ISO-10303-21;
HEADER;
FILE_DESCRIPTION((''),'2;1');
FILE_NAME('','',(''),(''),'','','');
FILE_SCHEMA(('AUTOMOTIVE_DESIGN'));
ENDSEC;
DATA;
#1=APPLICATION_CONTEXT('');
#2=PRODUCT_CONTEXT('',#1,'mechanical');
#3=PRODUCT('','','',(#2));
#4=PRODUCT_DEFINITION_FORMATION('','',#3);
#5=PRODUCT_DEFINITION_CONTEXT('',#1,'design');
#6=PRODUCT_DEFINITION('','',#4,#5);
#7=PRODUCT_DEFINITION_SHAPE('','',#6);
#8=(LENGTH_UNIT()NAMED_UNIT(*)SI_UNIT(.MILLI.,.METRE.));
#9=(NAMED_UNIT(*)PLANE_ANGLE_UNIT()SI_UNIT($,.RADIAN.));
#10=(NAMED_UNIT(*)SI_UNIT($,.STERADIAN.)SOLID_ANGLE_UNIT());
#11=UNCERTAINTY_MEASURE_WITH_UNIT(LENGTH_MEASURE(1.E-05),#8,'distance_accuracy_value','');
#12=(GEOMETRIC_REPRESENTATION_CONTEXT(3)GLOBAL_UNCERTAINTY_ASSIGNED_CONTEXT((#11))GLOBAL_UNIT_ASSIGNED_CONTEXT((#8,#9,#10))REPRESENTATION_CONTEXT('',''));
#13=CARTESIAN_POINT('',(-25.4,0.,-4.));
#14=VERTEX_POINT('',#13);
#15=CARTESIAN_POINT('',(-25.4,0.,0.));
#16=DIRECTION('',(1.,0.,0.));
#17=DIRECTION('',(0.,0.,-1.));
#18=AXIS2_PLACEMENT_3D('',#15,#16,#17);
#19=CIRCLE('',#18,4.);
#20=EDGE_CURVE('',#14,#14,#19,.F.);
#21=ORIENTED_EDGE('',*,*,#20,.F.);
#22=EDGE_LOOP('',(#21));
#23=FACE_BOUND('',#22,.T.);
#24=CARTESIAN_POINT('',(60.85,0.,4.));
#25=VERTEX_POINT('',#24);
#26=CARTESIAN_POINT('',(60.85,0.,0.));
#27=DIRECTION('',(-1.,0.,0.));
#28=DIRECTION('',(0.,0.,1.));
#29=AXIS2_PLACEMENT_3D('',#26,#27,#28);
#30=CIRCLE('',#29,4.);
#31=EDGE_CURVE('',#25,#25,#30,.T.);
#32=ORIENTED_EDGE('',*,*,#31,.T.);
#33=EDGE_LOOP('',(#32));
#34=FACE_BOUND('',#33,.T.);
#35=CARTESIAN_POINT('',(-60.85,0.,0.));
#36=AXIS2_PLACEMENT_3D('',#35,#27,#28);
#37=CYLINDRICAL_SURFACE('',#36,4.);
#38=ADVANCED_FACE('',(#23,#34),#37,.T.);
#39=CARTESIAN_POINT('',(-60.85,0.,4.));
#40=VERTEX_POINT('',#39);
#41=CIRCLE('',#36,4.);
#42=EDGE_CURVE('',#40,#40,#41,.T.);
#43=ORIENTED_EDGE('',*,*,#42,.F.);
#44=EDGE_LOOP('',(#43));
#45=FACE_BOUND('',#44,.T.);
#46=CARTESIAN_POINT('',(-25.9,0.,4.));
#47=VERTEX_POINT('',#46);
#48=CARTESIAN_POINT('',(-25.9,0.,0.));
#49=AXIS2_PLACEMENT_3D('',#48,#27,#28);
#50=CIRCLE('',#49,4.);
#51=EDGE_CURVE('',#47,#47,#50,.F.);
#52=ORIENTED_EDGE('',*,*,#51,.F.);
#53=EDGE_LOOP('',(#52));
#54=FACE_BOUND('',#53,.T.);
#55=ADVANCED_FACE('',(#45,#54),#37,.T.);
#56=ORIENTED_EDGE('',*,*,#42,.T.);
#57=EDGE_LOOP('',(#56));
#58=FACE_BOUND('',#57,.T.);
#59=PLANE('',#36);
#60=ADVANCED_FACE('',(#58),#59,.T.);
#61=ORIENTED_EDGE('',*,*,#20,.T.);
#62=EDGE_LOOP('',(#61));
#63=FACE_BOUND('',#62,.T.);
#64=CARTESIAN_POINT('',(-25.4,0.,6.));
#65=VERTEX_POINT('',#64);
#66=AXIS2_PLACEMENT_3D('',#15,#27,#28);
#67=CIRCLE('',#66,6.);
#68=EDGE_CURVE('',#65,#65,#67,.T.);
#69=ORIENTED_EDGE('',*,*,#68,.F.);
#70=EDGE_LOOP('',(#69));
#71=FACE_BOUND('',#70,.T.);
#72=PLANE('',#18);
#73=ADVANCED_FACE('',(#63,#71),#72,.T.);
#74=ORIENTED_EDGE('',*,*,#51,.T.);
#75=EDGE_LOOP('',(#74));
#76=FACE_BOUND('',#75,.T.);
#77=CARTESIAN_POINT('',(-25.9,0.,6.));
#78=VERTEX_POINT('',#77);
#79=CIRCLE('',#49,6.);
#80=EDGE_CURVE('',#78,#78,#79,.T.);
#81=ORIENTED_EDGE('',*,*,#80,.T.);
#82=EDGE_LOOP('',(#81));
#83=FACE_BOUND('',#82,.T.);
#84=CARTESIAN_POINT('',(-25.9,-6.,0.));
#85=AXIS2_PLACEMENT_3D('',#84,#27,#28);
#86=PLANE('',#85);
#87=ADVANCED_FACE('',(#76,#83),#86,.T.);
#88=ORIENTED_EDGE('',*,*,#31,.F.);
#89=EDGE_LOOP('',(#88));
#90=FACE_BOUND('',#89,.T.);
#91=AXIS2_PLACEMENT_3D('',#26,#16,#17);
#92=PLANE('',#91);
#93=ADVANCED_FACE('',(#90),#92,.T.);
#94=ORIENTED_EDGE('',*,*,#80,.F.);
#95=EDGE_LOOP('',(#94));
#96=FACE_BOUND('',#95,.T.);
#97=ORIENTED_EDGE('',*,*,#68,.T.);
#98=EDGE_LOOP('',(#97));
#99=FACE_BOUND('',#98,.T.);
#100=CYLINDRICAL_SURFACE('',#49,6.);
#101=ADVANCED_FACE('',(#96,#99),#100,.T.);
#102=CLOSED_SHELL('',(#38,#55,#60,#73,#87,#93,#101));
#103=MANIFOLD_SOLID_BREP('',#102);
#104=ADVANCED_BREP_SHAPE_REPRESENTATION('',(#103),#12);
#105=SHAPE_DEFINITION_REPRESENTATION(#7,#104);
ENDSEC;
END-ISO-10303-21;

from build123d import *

# Parameters (mm, degrees)
ESBO_O1_W = 121.7
ESBO_O1_H = 4
ESBO_O2_W = 0.5
ESBO_O2_H = 6


with BuildPart() as part:
    # Esboço1 → Revolução2 (revolve)
    with BuildSketch(Plane.XY, mode=Mode.PRIVATE) as revolu_o2_sk:
        with Locations((0, -2)):
            Rectangle(ESBO_O1_W, ESBO_O1_H)
    revolve(revolu_o2_sk.sketch.rotate(Axis((-60.85, 0, 0), (1, 0, 0)), 270), axis=Axis((-60.85, 0, 0), (1, 0, 0)))

    # Esboço2 → Revolução3 (revolve)
    with BuildSketch(Plane.XY, mode=Mode.PRIVATE) as revolu_o3_sk:
        with Locations((-25.65, -3)):
            Rectangle(ESBO_O2_W, ESBO_O2_H)
    revolve(revolu_o3_sk.sketch.rotate(Axis((-25.9, 0, 0), (1, 0, 0)), 270), axis=Axis((-25.9, 0, 0), (1, 0, 0)))


solid = part.part
